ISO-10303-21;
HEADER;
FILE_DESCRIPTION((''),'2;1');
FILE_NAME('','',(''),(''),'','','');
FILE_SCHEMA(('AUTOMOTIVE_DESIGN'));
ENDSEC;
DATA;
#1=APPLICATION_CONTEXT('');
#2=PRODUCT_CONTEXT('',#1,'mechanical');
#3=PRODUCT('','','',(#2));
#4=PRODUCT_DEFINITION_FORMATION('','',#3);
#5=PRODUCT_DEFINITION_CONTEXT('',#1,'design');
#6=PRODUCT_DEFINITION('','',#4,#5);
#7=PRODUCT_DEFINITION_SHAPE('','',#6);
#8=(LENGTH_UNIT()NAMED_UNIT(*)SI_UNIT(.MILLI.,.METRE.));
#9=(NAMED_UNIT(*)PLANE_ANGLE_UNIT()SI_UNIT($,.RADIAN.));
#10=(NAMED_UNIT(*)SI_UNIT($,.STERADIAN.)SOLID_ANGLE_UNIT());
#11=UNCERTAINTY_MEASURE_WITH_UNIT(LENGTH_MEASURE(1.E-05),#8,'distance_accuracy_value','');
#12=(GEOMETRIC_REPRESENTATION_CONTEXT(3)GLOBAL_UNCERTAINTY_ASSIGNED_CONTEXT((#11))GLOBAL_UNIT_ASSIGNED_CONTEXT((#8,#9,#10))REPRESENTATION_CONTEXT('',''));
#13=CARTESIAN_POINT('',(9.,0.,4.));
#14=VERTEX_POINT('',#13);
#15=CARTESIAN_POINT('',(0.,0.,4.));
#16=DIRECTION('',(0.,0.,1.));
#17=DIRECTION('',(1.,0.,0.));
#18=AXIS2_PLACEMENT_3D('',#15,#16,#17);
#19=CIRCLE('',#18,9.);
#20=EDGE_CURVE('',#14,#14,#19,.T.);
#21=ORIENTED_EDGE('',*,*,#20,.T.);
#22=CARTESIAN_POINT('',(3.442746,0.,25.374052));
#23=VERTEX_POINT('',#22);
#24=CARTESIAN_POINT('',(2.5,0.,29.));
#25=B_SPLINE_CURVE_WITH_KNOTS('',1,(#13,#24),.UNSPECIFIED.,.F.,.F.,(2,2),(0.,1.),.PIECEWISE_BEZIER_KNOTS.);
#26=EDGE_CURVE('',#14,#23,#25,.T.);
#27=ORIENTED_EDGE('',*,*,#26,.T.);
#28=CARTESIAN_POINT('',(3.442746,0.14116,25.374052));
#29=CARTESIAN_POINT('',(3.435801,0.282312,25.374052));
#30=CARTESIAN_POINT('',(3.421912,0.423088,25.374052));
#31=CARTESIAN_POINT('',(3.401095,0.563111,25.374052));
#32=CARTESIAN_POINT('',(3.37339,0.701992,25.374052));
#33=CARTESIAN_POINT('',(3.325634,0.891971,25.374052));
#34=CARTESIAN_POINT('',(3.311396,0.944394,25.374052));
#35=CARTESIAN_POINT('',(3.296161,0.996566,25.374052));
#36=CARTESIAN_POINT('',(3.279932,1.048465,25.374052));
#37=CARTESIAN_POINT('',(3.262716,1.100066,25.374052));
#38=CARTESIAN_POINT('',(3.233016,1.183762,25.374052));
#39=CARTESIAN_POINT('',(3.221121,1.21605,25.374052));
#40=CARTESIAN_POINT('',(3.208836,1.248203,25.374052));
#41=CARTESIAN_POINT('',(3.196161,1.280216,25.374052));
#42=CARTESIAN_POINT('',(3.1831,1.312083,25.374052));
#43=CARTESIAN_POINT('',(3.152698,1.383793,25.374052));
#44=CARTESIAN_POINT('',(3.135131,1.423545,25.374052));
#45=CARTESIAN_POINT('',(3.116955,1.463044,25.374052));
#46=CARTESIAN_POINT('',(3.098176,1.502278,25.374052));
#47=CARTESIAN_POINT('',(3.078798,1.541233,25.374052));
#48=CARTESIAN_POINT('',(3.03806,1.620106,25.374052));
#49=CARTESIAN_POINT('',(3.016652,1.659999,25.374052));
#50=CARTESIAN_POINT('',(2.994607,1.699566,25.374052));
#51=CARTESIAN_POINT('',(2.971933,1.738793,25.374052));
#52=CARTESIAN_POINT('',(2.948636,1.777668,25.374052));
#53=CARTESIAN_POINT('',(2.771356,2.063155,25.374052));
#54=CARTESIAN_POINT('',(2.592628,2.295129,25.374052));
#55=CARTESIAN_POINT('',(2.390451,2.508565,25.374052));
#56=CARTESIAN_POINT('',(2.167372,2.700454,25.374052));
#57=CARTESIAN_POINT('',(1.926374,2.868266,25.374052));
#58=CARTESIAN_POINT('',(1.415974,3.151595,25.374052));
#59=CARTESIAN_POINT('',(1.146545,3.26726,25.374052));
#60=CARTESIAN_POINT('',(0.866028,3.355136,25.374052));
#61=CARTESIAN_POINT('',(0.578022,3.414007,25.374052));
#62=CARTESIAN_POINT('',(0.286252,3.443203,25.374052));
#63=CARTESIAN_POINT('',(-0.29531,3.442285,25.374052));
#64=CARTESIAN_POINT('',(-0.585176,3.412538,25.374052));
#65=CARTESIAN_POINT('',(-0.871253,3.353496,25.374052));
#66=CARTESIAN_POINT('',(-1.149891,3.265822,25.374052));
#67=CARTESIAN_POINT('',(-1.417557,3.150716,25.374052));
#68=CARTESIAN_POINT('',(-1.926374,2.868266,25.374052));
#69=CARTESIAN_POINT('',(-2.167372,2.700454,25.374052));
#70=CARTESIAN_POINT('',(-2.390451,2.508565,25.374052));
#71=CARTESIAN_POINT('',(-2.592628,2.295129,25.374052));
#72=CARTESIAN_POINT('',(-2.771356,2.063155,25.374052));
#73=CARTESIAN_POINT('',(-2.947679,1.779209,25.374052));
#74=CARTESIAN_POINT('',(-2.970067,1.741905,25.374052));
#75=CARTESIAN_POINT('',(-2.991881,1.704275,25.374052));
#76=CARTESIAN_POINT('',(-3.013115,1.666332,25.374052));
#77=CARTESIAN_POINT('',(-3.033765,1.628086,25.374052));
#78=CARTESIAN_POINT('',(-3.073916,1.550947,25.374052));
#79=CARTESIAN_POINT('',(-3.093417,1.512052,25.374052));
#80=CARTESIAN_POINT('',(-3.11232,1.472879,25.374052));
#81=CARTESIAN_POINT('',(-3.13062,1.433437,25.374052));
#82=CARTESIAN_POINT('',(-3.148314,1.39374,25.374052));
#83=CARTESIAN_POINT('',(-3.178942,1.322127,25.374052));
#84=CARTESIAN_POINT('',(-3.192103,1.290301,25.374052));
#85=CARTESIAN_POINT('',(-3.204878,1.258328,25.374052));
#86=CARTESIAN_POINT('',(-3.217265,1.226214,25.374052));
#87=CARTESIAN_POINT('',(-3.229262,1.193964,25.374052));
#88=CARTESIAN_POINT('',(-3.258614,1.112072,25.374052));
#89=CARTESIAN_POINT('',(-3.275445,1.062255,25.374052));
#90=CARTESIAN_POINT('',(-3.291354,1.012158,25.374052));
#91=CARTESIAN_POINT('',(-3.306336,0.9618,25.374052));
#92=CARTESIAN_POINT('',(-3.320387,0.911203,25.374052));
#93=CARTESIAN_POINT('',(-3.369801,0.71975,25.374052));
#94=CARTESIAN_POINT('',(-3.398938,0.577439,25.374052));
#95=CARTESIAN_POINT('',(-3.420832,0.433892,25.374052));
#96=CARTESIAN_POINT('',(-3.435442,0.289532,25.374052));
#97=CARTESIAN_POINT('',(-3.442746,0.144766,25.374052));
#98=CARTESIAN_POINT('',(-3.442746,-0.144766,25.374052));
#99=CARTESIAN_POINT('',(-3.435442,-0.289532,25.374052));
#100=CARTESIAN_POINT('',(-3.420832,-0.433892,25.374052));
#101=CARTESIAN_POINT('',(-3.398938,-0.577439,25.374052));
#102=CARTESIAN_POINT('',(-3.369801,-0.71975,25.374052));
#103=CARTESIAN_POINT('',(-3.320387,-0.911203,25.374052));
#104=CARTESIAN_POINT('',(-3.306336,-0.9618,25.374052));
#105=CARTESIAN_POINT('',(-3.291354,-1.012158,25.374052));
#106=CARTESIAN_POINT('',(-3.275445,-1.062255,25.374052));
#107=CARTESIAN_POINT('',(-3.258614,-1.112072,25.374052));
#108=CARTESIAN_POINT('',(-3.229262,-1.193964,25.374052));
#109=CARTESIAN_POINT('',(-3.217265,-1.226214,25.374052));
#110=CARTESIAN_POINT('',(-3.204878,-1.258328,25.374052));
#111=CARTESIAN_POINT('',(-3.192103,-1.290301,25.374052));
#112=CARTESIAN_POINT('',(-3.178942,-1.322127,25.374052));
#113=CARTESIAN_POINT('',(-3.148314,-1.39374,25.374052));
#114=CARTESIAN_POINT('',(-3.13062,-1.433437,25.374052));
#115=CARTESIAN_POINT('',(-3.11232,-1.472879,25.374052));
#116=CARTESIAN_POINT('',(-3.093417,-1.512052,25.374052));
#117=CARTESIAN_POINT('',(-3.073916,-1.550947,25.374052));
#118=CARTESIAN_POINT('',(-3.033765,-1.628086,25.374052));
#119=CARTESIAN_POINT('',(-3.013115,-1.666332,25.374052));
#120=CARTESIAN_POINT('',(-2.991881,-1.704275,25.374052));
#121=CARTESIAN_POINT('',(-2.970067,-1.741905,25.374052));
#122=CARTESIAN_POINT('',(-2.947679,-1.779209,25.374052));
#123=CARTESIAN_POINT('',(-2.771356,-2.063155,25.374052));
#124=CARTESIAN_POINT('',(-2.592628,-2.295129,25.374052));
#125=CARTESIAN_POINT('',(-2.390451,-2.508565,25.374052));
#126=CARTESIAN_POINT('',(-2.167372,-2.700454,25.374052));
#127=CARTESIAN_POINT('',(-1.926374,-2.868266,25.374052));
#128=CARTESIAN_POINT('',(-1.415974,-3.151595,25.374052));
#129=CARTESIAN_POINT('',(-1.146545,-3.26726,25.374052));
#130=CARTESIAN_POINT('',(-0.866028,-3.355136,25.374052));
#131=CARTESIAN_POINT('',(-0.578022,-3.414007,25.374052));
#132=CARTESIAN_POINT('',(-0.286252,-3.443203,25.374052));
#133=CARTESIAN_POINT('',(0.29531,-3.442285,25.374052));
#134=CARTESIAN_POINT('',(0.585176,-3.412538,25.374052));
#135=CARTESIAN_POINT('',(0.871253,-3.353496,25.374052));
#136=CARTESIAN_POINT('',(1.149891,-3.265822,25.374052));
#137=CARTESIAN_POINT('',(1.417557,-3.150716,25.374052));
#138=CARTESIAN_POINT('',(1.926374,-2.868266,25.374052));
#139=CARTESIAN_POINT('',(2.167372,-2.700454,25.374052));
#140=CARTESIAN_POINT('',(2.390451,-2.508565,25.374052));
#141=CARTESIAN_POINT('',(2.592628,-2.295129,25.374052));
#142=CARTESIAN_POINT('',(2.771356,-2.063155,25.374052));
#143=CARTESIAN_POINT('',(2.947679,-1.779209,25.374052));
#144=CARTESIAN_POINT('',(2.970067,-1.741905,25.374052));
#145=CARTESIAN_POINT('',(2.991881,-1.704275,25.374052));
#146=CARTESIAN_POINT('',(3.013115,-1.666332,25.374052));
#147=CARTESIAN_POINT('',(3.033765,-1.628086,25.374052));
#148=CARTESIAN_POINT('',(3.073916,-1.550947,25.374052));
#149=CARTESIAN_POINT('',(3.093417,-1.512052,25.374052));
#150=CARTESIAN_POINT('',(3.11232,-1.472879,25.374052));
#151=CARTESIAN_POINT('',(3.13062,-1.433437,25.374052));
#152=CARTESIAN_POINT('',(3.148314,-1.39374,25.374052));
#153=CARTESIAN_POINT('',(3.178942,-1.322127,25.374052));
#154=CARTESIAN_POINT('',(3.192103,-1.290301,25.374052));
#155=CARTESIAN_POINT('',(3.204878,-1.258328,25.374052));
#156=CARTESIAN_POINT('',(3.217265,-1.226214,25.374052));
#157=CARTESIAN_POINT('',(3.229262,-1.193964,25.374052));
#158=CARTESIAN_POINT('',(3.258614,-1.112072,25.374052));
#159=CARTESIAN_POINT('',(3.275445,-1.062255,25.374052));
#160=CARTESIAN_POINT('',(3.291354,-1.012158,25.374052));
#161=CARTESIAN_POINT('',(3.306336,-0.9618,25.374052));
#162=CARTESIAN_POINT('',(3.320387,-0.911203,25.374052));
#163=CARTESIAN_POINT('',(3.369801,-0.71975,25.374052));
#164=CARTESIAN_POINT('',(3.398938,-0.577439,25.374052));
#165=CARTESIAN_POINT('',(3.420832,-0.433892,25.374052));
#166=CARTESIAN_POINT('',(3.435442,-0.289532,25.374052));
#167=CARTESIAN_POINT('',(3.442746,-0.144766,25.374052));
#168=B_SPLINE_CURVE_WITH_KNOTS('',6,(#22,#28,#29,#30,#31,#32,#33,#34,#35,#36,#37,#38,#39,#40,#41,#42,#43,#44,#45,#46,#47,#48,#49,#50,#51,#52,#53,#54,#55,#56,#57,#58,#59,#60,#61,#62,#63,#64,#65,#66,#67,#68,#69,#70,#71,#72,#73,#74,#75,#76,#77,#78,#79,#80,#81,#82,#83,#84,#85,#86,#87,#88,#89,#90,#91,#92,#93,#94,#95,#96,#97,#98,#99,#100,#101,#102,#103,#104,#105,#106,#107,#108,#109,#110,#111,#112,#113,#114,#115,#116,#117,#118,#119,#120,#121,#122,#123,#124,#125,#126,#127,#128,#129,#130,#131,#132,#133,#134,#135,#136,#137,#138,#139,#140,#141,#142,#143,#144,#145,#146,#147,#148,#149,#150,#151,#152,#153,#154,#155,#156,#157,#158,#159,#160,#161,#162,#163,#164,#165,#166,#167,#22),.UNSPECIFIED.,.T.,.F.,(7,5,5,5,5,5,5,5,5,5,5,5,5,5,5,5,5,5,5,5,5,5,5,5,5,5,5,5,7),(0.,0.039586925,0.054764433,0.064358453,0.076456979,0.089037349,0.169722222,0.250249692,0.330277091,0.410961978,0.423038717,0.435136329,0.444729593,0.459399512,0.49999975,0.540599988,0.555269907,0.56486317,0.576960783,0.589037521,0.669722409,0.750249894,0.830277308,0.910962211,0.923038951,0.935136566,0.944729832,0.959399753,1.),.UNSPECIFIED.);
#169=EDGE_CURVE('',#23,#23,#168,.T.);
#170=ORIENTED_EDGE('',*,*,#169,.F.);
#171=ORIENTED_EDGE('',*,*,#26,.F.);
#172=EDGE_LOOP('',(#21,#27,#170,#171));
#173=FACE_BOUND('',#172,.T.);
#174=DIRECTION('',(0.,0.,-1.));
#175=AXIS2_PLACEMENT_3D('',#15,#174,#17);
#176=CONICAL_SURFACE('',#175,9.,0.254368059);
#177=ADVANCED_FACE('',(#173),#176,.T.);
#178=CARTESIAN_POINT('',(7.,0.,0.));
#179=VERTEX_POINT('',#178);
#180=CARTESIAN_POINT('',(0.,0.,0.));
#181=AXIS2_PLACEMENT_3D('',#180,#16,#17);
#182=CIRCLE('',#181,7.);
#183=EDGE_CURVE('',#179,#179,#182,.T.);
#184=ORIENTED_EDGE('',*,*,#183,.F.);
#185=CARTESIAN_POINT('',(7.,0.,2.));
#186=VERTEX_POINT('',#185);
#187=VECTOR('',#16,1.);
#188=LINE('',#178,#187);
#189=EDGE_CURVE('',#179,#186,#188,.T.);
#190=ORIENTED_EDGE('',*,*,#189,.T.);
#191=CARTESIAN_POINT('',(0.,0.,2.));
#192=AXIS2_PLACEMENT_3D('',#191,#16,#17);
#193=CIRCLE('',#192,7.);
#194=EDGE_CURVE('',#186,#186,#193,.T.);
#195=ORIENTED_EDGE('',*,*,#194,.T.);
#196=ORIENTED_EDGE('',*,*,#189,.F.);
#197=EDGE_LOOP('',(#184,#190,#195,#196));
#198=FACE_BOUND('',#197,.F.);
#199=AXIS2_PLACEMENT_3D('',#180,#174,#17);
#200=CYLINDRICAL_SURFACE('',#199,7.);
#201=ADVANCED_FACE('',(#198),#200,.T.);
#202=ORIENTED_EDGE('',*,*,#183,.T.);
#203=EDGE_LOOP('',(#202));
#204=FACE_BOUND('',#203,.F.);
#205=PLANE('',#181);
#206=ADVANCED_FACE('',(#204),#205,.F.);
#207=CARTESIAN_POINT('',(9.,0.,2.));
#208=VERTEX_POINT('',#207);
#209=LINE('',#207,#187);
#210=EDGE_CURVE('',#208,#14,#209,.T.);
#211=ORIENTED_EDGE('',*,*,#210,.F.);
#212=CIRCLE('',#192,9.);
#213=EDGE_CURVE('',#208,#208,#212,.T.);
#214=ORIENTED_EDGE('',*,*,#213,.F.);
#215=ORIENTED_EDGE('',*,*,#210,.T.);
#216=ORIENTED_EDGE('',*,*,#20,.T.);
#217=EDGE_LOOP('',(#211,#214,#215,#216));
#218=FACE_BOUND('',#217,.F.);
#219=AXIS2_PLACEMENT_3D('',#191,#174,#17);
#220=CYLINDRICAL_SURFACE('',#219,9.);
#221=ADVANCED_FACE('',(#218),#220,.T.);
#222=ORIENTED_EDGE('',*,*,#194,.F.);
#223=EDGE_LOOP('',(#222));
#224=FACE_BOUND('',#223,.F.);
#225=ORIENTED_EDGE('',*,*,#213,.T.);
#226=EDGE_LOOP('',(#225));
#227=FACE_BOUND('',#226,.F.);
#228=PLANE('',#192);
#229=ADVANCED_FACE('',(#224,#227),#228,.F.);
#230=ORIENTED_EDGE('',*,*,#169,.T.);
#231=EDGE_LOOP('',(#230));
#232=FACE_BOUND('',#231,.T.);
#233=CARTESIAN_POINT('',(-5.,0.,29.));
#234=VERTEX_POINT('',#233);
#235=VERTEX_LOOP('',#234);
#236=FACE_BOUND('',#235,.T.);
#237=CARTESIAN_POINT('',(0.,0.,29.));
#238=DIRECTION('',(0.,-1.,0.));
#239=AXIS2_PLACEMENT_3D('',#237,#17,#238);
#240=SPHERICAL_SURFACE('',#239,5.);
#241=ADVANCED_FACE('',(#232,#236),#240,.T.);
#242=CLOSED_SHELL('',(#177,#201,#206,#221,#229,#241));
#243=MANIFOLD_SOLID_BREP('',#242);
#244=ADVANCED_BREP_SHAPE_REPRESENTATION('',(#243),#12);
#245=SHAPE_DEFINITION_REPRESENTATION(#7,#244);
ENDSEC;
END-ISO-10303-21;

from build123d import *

# Parameters (mm, degrees)
F0_R      = 7
F1_DEPTH  = 2
F2_R      = 9
F3_DEPTH  = 2
F3_FACE_R = 9
F5_R      = 2.5


with BuildPart() as f1:
    # F0 (on Top) → F1 (new body)
    with BuildSketch(Plane.XY):
        Circle(F0_R)
    extrude(amount=F1_DEPTH)

    # F2 (on face) → F3 (join)
    with BuildSketch(Plane.XY.offset(2)):
        Circle(F2_R)
    extrude(amount=F3_DEPTH)

    # F3_face (on face) → F6 section 0
    with BuildSketch(Plane.XY.offset(4)):
        Circle(F3_FACE_R)
    # F5 (on offset) → F6 section 1
    with BuildSketch(Plane.XY.offset(29)):
        Circle(F5_R)
    loft()

    # F7 (on face) → F8 (revolve)
    with BuildSketch(Plane.XY.offset(29)):
        with BuildLine():
            Line((-2.5, 0), (2.5, 0))
            ThreePointArc((2.5, 0), (0, 2.5), (-2.5, 0))
        make_face()
        with BuildLine():
            ThreePointArc((-5, 0), (0, -5), (5, 0))
            Line((5, 0), (2.5, 0))
            ThreePointArc((2.5, 0), (0, -2.5), (-2.5, 0))
            Line((-2.5, 0), (-5, 0))
        make_face()
    revolve(axis=Axis((0, 0, 29), (1, 0, 0)))


solid = f1.part
